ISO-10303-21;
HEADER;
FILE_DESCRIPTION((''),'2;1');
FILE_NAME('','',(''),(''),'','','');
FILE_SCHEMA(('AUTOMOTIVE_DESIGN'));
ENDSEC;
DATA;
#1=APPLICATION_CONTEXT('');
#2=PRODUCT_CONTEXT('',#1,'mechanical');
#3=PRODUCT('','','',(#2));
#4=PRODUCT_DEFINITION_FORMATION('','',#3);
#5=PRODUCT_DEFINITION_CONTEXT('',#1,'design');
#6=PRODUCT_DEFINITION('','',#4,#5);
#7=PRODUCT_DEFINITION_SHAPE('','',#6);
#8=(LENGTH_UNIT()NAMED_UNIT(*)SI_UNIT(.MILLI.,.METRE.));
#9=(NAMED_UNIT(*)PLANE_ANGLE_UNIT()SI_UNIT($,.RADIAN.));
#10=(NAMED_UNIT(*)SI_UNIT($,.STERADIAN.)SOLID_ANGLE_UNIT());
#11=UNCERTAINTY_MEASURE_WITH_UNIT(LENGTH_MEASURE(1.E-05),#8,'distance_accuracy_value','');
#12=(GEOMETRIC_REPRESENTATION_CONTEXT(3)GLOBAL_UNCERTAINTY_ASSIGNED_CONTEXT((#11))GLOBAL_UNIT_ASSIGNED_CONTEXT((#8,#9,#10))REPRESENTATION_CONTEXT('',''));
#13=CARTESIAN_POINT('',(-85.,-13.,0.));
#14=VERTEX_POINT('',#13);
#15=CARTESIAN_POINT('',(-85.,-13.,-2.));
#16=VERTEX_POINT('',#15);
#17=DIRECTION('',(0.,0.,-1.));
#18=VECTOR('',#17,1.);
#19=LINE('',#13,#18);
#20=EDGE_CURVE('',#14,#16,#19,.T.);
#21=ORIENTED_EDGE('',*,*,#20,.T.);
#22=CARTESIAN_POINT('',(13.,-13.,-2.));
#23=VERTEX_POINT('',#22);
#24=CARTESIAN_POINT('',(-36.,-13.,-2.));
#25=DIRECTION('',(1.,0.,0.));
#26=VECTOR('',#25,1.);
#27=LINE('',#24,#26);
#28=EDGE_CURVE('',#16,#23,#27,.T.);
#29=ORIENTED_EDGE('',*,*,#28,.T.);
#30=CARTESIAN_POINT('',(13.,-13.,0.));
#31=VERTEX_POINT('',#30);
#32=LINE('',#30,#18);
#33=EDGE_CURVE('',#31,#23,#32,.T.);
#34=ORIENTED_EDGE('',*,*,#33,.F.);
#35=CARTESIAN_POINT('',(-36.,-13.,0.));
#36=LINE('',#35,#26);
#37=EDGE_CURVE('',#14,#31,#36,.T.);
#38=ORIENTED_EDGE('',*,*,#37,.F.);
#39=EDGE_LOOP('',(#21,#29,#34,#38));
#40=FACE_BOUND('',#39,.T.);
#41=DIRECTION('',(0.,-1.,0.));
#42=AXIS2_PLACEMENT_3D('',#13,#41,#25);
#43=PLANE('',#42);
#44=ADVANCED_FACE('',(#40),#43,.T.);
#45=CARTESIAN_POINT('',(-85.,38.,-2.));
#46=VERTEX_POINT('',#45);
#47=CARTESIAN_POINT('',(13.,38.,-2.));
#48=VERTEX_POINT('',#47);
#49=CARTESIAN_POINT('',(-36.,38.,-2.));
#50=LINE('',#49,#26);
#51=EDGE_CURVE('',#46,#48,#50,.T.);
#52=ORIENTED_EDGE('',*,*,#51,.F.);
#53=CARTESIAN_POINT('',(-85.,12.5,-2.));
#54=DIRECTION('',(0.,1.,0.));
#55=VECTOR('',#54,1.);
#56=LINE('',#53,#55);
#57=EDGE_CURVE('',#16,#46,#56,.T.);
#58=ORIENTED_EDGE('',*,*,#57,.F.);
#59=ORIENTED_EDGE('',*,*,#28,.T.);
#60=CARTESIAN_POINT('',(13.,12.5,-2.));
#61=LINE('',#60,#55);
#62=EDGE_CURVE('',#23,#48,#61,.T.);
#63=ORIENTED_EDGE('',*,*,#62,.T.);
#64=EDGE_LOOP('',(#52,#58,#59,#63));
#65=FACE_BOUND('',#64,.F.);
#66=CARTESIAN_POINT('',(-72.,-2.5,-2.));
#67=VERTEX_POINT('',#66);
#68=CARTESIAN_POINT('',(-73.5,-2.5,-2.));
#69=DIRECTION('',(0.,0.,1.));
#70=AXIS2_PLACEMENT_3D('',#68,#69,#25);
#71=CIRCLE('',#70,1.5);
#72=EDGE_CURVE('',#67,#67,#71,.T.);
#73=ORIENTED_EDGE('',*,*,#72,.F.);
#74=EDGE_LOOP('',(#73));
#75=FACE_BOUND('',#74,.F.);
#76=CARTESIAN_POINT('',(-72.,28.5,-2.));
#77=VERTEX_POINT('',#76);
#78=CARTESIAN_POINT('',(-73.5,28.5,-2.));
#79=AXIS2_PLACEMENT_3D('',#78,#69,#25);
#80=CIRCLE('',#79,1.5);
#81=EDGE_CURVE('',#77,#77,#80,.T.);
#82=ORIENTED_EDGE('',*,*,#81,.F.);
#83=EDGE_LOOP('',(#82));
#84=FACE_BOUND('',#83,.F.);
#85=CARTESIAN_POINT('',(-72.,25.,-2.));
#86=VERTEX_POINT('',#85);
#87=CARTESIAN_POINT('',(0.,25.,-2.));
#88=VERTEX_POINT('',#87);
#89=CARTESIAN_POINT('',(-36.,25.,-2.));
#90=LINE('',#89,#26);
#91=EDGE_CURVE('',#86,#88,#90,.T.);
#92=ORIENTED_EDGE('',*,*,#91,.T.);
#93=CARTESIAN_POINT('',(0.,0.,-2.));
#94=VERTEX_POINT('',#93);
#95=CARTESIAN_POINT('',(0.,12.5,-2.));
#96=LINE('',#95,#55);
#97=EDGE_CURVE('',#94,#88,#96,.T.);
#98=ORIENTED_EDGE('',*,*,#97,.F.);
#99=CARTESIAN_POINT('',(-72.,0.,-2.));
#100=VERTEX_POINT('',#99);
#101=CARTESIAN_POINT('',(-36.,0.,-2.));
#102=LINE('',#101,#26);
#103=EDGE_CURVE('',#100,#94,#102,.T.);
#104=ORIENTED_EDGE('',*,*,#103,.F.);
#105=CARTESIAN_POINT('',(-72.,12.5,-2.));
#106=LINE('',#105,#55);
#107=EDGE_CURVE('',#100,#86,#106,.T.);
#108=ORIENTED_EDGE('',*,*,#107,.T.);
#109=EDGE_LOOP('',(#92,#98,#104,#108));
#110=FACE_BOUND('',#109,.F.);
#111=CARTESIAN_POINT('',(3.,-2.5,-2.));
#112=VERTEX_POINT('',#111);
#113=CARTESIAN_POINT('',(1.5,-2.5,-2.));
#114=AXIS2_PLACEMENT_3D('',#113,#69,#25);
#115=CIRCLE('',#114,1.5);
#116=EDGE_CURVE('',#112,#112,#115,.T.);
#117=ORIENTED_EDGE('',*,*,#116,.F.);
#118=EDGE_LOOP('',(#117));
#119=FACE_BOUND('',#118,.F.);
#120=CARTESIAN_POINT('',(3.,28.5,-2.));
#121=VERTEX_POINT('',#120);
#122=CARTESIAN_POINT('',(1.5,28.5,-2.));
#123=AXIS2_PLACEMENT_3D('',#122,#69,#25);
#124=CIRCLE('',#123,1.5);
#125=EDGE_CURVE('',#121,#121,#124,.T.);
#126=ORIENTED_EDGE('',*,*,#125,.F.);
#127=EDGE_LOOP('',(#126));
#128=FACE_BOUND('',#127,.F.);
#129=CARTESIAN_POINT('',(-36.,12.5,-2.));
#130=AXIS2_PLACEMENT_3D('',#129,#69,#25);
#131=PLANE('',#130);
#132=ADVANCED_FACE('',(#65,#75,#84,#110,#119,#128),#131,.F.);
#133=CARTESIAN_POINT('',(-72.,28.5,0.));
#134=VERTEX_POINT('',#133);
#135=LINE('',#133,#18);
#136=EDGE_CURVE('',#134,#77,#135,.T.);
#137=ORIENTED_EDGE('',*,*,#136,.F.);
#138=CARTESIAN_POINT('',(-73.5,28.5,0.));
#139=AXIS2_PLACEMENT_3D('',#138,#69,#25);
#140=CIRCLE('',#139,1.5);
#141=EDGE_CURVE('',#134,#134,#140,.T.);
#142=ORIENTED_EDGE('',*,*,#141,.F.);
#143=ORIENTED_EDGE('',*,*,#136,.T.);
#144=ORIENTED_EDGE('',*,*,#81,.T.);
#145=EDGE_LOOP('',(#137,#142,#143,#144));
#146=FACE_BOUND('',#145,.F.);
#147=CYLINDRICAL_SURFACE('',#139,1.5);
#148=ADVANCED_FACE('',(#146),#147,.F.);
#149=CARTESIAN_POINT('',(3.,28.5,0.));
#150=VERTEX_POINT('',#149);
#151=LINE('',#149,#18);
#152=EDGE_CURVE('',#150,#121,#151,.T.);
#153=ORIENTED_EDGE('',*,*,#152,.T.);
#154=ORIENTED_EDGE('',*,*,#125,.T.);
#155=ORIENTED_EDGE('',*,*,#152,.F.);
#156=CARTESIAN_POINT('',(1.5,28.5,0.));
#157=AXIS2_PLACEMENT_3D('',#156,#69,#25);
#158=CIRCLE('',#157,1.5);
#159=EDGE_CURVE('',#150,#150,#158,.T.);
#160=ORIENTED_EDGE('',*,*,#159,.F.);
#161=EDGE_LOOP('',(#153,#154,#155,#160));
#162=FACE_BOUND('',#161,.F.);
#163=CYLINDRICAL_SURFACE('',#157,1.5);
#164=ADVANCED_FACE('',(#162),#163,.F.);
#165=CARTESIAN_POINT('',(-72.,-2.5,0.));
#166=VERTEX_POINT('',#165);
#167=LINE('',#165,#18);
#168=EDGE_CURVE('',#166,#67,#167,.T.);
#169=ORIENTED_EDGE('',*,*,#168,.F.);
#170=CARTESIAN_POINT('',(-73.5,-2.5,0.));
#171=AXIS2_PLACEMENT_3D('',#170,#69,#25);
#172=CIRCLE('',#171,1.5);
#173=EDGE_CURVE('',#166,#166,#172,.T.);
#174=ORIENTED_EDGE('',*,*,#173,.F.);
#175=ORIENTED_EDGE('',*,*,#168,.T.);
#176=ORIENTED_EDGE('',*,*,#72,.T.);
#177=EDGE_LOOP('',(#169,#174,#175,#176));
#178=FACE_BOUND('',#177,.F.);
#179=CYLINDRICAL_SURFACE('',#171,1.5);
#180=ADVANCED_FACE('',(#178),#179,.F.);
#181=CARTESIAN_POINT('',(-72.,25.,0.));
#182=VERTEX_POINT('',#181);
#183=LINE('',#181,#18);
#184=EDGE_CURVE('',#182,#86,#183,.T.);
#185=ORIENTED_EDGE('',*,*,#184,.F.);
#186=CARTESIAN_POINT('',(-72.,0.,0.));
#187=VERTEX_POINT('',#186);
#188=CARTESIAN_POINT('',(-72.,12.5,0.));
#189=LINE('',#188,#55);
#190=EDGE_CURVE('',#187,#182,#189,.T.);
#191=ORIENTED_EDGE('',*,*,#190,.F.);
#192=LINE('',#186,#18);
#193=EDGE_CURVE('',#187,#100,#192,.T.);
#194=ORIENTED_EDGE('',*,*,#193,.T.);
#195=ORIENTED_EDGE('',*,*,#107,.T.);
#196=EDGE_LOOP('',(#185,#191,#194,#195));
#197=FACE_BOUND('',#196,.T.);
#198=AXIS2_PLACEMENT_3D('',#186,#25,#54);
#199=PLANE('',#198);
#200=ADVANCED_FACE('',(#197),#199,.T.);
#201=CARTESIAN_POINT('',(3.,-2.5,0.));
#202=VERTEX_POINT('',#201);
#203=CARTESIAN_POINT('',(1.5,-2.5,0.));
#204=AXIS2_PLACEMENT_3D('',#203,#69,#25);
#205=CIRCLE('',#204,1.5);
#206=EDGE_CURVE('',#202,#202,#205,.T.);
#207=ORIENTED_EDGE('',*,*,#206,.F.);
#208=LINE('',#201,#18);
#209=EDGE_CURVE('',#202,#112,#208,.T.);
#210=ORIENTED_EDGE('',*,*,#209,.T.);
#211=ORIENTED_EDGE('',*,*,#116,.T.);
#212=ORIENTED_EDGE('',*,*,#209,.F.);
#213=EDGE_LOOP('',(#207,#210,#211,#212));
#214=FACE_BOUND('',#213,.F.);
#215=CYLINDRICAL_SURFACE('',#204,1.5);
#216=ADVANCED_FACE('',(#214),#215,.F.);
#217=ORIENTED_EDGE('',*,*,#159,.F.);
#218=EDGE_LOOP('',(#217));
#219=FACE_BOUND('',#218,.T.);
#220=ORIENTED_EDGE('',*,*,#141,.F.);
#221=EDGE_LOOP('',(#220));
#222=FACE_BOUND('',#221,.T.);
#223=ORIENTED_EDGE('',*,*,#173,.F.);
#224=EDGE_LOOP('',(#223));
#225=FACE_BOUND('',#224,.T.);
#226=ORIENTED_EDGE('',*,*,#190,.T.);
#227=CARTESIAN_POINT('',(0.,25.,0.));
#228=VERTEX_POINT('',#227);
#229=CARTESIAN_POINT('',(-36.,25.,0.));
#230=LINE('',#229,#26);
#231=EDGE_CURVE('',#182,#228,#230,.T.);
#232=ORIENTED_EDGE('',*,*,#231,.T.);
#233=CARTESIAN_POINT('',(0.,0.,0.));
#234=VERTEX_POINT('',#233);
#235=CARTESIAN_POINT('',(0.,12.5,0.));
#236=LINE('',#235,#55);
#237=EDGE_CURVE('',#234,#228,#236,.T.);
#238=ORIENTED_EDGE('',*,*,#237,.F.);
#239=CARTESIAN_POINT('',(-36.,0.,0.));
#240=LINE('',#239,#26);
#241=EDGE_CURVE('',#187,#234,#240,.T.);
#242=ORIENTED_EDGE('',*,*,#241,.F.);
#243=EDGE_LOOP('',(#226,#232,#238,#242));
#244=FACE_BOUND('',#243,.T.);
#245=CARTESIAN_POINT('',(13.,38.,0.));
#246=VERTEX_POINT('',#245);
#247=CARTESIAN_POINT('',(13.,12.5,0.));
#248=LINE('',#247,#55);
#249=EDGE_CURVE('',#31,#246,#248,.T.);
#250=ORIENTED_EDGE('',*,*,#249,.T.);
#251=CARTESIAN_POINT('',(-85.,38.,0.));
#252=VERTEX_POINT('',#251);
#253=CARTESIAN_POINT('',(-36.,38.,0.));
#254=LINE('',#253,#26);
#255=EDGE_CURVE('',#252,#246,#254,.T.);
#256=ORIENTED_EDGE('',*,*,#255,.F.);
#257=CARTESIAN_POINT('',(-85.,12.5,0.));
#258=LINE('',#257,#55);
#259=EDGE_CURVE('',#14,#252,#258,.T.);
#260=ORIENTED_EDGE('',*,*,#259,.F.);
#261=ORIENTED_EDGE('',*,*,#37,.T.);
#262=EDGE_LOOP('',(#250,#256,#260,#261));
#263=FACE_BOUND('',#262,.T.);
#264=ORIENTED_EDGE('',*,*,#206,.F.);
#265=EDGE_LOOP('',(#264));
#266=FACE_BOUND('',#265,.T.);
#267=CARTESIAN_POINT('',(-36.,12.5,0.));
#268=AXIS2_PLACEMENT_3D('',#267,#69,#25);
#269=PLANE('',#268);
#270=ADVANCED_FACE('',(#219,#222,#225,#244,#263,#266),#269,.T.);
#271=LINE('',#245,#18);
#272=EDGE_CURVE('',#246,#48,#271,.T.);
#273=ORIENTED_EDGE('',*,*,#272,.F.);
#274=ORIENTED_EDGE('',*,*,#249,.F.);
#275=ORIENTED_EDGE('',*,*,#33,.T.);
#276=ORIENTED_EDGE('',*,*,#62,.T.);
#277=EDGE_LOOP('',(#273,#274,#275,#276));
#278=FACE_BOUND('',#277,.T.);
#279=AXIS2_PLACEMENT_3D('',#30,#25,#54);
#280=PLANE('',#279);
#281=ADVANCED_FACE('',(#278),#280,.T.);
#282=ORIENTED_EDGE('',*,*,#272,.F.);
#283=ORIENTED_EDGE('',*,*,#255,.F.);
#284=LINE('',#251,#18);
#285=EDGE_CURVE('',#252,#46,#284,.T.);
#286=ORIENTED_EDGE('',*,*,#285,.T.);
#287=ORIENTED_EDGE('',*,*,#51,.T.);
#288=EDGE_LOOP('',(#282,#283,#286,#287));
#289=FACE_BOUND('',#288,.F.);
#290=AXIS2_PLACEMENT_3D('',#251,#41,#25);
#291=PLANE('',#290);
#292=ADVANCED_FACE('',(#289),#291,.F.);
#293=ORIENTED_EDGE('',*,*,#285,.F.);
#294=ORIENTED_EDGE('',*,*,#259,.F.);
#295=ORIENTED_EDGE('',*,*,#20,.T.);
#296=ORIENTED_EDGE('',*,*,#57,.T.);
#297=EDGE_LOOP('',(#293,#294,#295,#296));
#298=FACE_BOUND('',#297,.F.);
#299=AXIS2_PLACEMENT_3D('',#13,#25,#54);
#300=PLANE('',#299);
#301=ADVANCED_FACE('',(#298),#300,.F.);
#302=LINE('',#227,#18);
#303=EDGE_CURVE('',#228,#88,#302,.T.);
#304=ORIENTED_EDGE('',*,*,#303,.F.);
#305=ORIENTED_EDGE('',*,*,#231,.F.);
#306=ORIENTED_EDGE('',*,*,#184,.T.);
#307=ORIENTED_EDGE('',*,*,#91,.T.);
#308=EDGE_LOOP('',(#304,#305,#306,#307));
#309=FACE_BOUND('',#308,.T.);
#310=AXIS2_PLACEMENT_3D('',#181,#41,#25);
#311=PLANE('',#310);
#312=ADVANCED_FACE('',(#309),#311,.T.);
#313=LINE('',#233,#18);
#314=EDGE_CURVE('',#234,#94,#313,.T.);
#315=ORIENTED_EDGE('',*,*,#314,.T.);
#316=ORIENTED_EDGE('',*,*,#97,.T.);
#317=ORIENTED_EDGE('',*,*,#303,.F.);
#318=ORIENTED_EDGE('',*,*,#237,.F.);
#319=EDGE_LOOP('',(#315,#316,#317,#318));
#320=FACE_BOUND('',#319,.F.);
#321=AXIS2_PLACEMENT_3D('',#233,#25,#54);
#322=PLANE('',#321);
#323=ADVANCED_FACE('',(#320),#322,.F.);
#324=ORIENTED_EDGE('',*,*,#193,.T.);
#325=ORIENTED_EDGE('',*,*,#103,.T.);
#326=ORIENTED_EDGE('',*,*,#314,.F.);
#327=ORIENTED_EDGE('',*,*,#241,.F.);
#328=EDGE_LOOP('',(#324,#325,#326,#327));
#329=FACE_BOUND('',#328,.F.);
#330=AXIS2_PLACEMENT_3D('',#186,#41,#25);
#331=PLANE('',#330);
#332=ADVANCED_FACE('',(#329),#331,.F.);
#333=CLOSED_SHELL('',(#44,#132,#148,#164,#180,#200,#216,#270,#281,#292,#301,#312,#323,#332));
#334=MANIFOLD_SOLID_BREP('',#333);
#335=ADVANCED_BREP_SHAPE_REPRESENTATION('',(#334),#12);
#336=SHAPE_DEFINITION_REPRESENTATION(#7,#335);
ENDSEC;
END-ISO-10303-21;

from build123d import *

# Parameters (mm, degrees)
F0_W     = 98
F0_H     = 51
F0_R     = 1.5
F0_W_2   = 72
F0_H_2   = 25
F1_DEPTH = 2


with BuildPart() as f1:
    # F0 (on Top) → F1 (new body)
    with BuildSketch(Plane.XY):
        with Locations((-36, 12.5)):
            Rectangle(F0_W, F0_H)
        with Locations((-73.5, -2.5)):
            Circle(F0_R, mode=Mode.SUBTRACT)
        with Locations((1.5, -2.5)):
            Circle(F0_R, mode=Mode.SUBTRACT)
        with Locations((-36, 12.5)):
            Rectangle(F0_W_2, F0_H_2, mode=Mode.SUBTRACT)
        with Locations((-73.5, 28.5)):
            Circle(F0_R, mode=Mode.SUBTRACT)
        with Locations((1.5, 28.5)):
            Circle(F0_R, mode=Mode.SUBTRACT)
    extrude(amount=-F1_DEPTH)


solid = f1.part
